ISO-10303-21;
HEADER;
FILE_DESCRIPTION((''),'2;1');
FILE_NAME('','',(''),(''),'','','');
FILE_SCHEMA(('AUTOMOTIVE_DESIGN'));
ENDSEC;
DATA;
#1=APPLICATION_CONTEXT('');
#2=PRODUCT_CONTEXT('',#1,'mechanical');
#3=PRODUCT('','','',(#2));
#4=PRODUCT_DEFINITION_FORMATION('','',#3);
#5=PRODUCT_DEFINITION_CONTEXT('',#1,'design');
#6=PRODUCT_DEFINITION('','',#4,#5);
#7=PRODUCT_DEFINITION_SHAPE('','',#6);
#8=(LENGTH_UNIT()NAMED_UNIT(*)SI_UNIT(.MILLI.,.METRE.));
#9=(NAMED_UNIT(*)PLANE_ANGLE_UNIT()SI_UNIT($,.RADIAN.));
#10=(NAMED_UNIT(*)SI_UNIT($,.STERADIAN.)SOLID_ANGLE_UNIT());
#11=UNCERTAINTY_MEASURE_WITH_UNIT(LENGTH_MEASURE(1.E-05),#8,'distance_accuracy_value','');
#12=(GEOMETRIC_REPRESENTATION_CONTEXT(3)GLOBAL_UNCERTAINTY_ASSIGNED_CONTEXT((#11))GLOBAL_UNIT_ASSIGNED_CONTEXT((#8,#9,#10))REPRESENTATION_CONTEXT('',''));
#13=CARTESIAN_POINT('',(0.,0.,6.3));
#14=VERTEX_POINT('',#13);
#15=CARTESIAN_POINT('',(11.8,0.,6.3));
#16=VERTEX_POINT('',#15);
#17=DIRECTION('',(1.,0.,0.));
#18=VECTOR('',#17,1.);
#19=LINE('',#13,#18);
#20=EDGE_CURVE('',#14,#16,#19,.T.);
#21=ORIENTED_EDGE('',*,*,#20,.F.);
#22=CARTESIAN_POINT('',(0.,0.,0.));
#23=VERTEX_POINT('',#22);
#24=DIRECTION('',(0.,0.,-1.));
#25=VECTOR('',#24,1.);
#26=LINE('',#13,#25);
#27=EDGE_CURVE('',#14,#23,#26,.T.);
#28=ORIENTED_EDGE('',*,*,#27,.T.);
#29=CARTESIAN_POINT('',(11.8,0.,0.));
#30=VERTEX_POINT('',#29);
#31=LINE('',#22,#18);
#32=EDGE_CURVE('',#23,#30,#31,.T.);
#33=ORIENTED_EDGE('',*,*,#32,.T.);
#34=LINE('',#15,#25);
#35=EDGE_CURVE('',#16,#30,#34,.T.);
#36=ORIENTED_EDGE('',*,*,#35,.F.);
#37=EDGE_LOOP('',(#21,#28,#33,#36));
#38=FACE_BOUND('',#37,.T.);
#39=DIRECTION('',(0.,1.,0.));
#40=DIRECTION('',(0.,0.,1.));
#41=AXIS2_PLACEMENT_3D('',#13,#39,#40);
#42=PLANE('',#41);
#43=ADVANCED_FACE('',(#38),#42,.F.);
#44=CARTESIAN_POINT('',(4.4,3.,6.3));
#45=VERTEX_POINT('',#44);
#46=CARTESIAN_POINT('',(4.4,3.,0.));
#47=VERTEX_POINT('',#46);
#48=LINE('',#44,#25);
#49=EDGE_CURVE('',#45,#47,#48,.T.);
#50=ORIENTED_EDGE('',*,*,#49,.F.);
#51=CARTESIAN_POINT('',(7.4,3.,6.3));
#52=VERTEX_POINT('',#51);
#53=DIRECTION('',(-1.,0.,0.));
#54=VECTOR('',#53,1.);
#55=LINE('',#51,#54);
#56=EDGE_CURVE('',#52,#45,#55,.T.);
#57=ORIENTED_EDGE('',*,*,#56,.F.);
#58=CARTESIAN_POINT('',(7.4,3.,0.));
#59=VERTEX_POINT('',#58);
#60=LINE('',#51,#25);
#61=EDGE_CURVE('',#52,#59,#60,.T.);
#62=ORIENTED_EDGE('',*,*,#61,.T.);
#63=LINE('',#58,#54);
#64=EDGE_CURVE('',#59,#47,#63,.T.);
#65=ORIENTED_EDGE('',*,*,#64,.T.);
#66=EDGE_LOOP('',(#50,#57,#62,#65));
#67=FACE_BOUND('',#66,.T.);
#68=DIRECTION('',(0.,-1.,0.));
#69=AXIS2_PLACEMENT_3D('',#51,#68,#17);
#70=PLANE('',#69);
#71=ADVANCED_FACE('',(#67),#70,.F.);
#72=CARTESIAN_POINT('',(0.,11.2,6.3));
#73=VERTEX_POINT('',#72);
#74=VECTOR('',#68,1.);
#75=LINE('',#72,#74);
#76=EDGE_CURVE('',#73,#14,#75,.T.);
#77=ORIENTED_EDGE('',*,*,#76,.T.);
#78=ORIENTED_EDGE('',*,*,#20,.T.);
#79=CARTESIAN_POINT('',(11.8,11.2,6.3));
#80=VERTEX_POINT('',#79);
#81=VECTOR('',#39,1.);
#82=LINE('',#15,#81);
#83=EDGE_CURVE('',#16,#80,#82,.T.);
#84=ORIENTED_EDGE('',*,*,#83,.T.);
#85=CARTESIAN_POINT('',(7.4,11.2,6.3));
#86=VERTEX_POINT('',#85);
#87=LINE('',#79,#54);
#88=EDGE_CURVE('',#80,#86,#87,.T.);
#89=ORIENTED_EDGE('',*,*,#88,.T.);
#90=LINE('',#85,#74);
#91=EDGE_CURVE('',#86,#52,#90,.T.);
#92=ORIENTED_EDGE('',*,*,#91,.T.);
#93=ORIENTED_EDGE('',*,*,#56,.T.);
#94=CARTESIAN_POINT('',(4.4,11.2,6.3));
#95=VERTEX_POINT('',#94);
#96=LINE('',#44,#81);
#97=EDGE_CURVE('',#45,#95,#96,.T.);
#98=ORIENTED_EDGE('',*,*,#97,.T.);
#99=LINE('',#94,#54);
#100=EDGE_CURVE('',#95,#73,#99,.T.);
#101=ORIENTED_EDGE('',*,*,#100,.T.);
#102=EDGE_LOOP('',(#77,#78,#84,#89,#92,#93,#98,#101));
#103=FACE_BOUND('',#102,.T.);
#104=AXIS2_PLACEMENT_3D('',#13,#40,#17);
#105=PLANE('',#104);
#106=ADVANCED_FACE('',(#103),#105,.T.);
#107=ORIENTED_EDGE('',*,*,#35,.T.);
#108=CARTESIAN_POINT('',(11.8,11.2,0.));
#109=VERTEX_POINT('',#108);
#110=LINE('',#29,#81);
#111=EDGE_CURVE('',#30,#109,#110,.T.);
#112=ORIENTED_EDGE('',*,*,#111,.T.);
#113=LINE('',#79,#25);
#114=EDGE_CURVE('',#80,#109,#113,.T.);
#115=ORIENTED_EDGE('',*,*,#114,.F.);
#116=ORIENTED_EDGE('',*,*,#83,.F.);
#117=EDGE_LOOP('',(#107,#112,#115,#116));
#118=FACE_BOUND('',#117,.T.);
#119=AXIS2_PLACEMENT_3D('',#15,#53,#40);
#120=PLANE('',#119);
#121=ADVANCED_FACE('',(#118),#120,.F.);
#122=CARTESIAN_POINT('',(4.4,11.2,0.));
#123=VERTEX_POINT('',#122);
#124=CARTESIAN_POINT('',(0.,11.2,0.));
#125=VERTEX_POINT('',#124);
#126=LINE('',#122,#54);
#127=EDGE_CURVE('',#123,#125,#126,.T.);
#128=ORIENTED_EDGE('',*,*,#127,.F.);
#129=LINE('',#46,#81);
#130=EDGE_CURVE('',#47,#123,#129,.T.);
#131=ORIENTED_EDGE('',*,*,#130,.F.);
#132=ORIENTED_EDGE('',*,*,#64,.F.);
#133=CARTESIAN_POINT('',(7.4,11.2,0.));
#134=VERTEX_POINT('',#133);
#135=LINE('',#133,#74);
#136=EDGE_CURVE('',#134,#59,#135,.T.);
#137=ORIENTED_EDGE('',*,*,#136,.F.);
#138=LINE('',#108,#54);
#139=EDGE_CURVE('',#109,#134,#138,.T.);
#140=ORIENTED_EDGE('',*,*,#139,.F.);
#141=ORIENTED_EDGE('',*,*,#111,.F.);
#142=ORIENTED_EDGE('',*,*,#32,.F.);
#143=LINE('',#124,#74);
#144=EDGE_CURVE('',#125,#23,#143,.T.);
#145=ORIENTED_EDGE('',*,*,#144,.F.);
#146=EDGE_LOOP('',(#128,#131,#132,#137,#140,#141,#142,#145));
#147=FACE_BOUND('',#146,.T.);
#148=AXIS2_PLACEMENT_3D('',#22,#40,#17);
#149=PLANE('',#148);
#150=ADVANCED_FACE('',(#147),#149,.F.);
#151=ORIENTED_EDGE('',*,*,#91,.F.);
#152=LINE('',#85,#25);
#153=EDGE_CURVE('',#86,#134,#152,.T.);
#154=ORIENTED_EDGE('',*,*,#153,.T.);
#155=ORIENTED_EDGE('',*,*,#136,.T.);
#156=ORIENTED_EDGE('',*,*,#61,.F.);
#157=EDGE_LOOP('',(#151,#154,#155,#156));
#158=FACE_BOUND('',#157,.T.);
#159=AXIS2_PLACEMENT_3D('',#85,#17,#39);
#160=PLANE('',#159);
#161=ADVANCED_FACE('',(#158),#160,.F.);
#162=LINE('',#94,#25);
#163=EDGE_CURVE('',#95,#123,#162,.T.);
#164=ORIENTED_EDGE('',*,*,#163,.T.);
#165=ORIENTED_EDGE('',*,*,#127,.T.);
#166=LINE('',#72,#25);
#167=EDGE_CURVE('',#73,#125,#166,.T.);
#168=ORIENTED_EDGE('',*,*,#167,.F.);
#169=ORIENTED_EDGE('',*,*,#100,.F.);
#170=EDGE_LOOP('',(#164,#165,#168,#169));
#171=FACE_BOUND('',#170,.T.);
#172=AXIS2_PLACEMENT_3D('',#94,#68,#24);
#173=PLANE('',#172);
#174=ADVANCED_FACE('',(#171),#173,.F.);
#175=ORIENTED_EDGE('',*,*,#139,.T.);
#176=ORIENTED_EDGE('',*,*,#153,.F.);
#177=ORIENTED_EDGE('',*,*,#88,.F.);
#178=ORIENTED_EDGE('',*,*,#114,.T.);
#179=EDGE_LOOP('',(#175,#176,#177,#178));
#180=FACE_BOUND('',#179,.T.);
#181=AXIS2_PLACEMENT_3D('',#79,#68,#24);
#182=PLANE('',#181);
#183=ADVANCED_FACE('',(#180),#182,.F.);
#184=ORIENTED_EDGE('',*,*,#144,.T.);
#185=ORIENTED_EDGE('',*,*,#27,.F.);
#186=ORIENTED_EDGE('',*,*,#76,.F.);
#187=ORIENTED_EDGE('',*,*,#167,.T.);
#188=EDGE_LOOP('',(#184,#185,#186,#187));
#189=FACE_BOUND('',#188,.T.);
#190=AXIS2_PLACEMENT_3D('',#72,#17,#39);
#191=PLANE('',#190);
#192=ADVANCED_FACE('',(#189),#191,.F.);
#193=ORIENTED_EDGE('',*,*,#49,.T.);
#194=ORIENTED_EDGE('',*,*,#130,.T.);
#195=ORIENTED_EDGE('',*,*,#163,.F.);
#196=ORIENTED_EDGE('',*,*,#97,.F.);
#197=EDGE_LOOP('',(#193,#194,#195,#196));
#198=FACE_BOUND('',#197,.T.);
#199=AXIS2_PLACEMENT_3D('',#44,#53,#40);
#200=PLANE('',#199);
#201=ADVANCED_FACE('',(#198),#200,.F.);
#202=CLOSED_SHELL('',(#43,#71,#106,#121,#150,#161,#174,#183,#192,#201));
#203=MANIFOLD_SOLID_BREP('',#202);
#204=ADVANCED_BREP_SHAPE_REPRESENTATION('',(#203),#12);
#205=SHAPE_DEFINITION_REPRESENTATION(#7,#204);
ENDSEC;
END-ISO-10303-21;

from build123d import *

# Parameters (mm, degrees)
BOSS_EXTRUDE1_DEPTH = 6.3


with BuildPart() as part:
    # Sketch1 → Boss-Extrude1 (new body)
    with BuildSketch(Plane.XY):
        Polygon((0, 0), (11.8, 0), (11.8, 11.2), (7.4, 11.2), (7.4, 3), (4.4, 3), (4.4, 11.2), (0, 11.2), align=None)
    extrude(amount=BOSS_EXTRUDE1_DEPTH)


solid = part.part
